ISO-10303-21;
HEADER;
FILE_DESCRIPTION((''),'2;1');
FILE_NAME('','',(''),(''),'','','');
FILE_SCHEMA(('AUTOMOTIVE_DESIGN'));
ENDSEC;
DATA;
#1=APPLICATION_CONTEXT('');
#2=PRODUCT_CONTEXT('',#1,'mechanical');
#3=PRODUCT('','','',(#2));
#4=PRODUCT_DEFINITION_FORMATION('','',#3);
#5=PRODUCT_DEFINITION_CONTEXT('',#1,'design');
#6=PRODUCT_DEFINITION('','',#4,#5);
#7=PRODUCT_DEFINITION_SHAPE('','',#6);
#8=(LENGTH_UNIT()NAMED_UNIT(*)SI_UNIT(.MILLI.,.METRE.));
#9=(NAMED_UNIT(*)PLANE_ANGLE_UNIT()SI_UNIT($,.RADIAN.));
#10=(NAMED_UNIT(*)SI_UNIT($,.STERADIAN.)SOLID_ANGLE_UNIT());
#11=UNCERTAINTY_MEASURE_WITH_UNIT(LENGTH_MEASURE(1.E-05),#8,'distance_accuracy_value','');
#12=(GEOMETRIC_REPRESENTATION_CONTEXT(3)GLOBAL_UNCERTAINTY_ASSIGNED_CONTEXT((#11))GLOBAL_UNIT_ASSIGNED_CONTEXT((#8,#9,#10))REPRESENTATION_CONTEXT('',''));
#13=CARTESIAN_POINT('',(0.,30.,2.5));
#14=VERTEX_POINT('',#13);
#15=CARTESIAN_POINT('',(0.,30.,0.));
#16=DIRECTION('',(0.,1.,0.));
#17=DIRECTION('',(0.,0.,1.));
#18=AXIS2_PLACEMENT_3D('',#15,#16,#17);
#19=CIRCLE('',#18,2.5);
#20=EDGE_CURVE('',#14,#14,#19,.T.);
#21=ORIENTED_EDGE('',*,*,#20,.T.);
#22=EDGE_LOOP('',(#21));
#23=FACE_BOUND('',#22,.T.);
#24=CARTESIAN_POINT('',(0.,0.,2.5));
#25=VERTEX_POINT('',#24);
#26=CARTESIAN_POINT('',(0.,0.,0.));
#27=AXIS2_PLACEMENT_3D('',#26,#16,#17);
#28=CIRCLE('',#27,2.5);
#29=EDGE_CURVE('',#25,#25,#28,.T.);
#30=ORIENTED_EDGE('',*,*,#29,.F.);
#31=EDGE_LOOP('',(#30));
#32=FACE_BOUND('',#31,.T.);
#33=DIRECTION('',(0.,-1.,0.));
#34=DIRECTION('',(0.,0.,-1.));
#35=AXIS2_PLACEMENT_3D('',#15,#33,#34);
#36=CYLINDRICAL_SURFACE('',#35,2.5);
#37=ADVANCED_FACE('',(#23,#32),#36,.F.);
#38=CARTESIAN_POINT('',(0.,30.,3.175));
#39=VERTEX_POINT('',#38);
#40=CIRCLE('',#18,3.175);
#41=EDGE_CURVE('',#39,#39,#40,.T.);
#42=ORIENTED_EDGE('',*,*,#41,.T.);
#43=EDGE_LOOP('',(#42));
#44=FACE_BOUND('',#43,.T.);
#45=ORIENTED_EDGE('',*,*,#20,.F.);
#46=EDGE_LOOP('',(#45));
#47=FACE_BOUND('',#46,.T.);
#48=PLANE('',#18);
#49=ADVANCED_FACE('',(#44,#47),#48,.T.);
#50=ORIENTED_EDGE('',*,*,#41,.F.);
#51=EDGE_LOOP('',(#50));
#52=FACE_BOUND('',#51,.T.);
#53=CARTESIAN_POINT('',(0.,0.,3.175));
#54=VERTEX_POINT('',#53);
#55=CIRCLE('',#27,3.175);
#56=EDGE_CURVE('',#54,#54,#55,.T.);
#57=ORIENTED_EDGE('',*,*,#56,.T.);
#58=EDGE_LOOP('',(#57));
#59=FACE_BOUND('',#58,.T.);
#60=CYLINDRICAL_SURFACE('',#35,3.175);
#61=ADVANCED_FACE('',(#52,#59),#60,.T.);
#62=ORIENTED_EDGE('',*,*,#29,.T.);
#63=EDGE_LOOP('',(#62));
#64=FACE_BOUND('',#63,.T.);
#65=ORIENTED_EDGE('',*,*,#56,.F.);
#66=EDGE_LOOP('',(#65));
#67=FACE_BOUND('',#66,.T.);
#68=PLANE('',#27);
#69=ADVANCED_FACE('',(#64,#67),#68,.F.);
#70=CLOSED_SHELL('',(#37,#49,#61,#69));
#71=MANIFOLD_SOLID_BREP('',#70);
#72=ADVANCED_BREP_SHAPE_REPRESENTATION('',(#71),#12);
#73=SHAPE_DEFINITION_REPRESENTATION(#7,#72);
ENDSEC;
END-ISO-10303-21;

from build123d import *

# Parameters (mm, degrees)
ESQUISSE1_R        = 3.175
ESQUISSE1_R_2      = 2.5
BOSS_EXTRU_1_DEPTH = 30


with BuildPart() as part:
    # Esquisse1 → Boss.-Extru.1 (new body)
    with BuildSketch(Plane(origin=(0, 0, 0), x_dir=(1, 0, 0), z_dir=(0, 1, 0))):
        Circle(ESQUISSE1_R)
        Circle(ESQUISSE1_R_2, mode=Mode.SUBTRACT)
    extrude(amount=BOSS_EXTRU_1_DEPTH)


solid = part.part
